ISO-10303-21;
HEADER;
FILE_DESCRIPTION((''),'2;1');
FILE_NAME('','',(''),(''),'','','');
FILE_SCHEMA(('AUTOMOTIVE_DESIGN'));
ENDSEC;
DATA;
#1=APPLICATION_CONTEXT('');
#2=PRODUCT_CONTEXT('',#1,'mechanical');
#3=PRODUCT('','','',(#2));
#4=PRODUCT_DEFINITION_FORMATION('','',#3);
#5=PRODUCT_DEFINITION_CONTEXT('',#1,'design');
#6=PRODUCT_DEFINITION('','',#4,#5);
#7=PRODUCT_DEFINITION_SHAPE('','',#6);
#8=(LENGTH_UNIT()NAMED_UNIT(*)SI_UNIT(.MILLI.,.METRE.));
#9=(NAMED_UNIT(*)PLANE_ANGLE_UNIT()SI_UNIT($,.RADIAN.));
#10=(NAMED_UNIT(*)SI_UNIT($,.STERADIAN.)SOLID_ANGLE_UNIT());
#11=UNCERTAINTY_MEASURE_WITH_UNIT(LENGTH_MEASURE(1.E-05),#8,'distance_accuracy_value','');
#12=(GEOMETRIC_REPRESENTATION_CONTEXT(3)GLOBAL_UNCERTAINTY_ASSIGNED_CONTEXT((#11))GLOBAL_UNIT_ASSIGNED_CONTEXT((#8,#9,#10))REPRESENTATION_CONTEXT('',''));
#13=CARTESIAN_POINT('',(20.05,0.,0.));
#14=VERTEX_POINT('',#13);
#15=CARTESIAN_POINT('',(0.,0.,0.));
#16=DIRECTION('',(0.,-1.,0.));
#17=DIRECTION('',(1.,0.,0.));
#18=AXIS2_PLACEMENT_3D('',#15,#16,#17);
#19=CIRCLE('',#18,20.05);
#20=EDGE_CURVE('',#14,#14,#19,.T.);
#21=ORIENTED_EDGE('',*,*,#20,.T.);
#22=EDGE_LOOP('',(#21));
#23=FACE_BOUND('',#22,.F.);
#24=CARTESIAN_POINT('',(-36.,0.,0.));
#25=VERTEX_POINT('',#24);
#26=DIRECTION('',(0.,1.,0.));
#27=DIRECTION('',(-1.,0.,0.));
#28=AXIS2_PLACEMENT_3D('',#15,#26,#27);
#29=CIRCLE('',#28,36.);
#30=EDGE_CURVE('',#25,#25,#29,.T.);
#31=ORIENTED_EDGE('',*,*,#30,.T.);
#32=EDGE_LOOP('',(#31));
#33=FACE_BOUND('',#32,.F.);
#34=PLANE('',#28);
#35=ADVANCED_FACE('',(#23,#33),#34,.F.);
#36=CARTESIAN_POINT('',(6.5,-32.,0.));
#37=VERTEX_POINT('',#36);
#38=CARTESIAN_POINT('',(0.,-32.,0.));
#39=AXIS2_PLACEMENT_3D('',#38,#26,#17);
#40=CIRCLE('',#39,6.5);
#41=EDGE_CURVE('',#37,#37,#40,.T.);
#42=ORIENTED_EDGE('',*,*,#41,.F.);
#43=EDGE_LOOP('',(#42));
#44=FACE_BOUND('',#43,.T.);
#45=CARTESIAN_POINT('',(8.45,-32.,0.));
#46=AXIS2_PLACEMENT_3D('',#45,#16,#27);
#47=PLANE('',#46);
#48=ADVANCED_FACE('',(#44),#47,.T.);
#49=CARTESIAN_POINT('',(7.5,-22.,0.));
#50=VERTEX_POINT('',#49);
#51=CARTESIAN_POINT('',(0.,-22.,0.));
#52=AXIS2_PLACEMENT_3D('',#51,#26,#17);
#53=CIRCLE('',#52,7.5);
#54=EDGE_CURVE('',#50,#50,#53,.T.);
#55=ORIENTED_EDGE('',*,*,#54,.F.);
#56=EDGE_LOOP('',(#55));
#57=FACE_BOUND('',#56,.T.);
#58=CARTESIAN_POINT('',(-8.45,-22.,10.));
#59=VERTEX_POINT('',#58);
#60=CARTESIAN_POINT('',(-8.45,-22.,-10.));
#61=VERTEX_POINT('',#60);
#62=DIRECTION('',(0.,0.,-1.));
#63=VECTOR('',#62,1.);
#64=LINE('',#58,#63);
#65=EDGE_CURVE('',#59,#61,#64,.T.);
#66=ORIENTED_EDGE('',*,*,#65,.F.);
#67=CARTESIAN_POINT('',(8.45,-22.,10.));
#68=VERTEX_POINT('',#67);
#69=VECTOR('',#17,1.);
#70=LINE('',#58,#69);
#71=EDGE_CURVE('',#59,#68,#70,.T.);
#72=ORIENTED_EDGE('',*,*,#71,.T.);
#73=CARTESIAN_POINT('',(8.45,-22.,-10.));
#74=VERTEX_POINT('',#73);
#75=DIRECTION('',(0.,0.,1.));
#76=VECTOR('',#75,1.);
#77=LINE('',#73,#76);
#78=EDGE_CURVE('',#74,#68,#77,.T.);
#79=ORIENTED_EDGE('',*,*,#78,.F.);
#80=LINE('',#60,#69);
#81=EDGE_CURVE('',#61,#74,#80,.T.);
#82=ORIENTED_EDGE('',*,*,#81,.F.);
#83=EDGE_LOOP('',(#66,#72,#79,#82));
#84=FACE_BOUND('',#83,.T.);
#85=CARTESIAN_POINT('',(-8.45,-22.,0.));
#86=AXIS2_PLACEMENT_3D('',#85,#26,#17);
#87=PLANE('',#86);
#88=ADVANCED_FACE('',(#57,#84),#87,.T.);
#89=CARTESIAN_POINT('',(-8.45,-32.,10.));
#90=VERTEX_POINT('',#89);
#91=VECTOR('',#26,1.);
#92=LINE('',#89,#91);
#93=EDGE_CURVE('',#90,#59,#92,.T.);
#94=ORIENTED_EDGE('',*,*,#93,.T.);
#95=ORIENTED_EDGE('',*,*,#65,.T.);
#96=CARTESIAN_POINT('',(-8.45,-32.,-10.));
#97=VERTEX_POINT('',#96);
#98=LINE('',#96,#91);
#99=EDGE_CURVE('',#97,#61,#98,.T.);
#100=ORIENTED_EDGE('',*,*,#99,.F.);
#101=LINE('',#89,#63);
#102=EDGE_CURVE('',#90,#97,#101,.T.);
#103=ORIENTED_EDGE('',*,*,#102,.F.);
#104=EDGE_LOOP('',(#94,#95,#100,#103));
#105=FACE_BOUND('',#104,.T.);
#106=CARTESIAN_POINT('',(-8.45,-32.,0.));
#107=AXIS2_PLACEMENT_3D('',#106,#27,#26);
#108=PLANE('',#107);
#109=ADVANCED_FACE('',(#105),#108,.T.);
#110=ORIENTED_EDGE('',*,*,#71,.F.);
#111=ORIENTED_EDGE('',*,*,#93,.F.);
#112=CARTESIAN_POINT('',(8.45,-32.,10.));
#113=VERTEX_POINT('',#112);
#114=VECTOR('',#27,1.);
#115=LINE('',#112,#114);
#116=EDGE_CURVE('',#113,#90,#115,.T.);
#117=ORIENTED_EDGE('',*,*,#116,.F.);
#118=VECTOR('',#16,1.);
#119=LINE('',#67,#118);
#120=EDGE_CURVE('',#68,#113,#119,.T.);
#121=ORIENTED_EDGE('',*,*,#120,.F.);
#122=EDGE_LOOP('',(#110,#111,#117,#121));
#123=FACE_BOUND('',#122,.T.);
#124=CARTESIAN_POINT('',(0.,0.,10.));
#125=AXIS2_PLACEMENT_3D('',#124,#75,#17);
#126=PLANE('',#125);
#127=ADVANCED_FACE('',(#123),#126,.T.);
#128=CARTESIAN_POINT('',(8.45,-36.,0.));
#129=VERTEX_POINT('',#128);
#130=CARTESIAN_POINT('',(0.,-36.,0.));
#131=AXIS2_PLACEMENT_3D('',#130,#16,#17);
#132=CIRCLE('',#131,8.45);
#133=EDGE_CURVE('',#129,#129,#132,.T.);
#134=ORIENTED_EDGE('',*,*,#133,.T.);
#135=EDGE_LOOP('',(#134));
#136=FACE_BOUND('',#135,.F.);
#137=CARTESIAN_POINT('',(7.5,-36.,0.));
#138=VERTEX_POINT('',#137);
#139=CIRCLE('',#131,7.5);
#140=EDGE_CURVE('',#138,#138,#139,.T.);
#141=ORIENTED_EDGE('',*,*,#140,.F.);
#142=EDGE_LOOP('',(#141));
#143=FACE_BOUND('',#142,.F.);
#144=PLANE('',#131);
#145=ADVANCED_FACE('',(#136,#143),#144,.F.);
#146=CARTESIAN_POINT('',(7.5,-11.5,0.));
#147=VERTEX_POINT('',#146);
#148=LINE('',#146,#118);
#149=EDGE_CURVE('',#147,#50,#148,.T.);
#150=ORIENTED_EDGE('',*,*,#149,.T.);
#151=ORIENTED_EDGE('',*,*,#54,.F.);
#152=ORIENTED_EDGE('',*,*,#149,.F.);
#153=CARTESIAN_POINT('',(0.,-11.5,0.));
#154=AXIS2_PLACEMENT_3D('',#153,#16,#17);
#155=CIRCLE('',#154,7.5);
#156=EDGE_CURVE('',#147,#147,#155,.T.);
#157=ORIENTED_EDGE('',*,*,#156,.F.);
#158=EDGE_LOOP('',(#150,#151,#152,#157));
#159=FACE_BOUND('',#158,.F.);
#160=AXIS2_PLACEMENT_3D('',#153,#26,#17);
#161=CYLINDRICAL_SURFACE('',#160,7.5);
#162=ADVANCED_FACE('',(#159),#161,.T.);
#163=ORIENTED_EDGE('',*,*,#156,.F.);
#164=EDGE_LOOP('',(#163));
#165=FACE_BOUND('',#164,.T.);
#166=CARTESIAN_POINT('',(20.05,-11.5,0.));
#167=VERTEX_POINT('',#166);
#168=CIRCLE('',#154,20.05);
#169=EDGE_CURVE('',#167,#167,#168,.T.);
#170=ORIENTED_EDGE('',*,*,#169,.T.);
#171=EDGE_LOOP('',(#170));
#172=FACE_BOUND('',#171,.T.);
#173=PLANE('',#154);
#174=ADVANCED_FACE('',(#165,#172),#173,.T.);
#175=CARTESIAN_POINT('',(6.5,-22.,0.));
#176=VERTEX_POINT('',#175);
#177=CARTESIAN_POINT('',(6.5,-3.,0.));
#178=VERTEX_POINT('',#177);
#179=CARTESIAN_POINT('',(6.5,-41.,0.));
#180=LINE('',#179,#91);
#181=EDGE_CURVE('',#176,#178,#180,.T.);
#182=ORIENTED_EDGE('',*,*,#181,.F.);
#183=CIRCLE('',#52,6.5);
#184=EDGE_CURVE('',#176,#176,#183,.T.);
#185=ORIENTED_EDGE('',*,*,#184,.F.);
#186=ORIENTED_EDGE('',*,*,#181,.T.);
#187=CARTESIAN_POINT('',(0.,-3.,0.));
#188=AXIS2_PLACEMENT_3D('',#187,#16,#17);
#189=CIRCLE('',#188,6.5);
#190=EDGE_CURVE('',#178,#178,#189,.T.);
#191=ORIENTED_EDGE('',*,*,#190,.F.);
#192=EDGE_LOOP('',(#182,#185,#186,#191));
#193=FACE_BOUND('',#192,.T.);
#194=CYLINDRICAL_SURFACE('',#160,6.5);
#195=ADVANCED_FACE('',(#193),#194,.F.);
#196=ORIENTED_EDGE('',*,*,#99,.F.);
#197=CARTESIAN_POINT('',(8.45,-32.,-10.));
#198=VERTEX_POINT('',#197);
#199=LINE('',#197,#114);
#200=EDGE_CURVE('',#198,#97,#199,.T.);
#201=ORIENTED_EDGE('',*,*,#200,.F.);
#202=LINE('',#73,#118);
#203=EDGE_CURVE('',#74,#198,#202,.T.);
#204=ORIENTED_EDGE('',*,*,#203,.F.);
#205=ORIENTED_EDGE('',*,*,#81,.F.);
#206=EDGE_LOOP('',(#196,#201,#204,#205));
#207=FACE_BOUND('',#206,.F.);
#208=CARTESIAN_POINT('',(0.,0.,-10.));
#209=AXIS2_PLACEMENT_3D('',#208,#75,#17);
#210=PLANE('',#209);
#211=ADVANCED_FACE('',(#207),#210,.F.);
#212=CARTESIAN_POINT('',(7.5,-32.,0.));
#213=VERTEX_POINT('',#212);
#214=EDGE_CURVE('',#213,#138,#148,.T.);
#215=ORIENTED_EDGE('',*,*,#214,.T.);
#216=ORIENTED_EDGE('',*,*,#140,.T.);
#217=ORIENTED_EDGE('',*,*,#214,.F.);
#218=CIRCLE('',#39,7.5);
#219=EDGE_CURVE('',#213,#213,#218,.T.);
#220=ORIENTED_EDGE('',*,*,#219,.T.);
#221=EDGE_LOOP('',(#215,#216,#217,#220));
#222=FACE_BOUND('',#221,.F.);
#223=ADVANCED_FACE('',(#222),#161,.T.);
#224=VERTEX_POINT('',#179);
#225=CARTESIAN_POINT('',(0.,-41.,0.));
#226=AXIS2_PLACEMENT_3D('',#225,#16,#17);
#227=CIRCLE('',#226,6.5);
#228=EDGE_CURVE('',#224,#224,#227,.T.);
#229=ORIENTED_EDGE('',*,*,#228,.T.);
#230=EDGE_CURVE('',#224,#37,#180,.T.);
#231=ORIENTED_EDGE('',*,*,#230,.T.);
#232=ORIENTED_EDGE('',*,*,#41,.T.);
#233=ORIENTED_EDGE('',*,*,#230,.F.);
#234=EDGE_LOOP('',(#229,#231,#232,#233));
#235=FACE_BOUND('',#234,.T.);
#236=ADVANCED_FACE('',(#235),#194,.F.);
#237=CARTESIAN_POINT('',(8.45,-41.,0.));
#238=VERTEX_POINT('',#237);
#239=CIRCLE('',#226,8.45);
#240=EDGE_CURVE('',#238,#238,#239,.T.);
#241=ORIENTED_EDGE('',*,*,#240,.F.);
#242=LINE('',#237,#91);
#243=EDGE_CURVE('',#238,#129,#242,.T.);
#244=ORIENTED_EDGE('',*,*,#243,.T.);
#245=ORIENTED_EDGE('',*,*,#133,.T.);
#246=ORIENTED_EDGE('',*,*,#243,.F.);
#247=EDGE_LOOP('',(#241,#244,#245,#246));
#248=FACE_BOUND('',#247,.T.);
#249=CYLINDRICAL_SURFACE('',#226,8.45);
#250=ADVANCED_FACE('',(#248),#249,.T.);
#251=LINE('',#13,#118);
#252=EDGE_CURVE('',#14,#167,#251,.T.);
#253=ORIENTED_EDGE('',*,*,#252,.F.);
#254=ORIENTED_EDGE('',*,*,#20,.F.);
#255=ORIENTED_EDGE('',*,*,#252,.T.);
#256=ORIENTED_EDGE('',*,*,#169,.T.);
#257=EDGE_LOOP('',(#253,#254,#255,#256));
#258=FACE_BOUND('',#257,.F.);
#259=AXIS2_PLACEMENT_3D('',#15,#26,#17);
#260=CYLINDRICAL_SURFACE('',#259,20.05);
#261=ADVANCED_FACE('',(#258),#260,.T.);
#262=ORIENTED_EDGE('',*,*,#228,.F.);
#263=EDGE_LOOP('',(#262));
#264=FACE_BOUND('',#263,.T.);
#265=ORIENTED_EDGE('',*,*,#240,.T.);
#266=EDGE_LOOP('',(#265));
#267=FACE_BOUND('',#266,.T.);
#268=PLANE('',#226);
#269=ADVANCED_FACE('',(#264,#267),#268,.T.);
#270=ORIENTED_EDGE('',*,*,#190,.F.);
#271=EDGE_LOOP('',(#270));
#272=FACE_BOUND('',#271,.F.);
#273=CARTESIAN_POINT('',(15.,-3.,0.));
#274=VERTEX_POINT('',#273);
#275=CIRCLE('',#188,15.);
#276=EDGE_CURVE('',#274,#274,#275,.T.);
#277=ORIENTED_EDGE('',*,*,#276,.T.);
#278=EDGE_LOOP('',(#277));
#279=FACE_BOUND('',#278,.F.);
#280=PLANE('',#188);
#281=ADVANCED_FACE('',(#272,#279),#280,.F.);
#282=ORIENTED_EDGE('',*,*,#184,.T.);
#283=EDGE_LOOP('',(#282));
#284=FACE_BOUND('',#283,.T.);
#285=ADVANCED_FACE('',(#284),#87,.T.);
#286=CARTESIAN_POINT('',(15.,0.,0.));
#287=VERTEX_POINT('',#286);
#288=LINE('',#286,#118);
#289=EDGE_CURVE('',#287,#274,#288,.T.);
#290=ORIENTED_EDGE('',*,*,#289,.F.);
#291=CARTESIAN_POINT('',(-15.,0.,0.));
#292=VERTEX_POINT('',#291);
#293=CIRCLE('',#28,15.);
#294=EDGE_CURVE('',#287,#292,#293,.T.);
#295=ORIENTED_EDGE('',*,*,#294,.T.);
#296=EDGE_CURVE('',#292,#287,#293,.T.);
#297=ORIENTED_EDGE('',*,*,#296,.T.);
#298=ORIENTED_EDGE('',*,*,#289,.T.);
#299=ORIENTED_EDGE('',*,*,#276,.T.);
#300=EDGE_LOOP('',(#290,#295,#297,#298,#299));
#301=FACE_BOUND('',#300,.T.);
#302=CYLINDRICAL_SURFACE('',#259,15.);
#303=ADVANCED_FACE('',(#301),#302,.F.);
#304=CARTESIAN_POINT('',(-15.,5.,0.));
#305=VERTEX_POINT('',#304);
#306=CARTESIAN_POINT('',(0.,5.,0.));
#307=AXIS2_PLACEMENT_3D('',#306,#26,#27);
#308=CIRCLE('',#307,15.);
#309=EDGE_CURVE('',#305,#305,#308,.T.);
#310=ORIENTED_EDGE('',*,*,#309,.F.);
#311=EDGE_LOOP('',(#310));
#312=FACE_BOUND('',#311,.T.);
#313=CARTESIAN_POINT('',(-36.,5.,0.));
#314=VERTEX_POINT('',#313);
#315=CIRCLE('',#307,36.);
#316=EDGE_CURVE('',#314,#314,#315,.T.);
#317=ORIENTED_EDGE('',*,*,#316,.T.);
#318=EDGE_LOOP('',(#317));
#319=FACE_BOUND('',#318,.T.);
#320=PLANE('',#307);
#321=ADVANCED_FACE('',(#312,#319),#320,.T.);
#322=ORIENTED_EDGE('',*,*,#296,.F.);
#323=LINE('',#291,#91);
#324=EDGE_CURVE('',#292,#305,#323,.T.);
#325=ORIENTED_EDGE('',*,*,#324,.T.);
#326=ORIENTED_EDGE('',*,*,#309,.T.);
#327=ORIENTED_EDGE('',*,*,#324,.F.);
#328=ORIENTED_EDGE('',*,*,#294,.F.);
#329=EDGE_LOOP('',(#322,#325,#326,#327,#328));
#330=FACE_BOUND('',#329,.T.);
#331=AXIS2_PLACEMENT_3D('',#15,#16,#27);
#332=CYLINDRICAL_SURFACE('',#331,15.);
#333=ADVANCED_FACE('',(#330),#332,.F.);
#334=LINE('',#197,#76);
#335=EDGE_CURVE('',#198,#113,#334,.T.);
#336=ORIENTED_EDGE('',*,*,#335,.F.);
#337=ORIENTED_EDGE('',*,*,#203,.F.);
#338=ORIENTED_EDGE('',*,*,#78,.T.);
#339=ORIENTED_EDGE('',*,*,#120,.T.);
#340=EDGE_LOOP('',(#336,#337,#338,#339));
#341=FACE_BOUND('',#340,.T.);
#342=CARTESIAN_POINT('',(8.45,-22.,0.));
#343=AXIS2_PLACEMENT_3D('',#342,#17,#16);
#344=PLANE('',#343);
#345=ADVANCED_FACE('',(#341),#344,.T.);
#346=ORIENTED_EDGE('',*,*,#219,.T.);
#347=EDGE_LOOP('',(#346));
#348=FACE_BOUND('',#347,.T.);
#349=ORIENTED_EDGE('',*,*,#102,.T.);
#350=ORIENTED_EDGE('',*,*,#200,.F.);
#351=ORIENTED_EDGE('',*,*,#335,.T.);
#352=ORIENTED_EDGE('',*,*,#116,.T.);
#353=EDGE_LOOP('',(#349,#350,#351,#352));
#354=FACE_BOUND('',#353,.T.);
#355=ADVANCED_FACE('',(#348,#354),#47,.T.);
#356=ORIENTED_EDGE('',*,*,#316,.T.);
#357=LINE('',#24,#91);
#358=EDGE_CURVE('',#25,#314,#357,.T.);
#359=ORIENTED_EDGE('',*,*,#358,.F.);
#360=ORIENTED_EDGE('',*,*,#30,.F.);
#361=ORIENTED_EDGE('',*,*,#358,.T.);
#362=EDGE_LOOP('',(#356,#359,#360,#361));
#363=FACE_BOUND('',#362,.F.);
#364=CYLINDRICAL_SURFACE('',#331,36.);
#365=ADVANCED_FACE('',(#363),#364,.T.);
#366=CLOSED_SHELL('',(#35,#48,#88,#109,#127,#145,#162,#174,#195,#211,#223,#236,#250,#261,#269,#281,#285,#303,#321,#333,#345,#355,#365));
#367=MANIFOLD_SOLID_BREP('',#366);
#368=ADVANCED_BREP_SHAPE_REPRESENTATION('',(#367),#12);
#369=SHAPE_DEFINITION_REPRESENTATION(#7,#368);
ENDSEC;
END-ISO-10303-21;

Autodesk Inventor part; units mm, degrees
ref_plane "YZ Plane" through (0, 0, 0) normal (1, 0, 0) x (0, 1, 0)
ref_plane "XZ Plane" through (0, 0, 0) normal (0, 1, 0) x (-1, 0, 0)
ref_plane "XY Plane" through (0, 0, 0) normal (0, 0, 1) x (1, 0, 0)
sketch "Sketch1" plane through (0, 0, 0) normal (0, 1, 0) x (-1, 0, 0)
  circle A0 centre (0, 0) radius 36
  circle A1 centre (0, 0) radius 15
  dimension "d0" = 72
  dimension "d1" = 30
extrude "Extrusion1" add sketch "Sketch1" along normal blind 5
sketch "Sketch2" plane through (0, 0, 0) normal (0, -1, 0) x (1, 0, 0)
  circle A0 centre (0, 0) radius 36 projected
  circle A1 centre (0, 0) radius 15 projected
  circle A2 centre (0, 0) radius 20.05
  dimension "d4" = 40.1
extrude "Extrusion2" add sketch "Sketch2" along normal blind 11.5 contours A2
sketch "Sketch3" plane through (0, -11.5, 0) normal (0, -1, 0) x (1, 0, 0)
  circle A0 centre (0, 0) radius 7.5
  circle A1 centre (0, 0) radius 20.05 projected
  circle A2 centre (0, 0) radius 15 projected
  circle A3 centre (0, 0) radius 6.5
  dimension "d7" = 15
  dimension "d8" = 13
extrude "Extrusion3" add sketch "Sketch3" along normal blind 29.5 and the other way blind 8.5 contours A0
extrude "Extrusion4" add sketch "Sketch3" against normal up to surface (8.5 mm away) contours A2
sketch "Sketch4" plane through (0, -41, 0) normal (0, -1, 0) x (1, 0, 0)
  circle A0 centre (0, 0) radius 7.5 projected
  circle A1 centre (0, 0) radius 6.5 projected
  circle A2 centre (0, 0) radius 8.45
  dimension "d15" = 16.9
extrude "Extrusion5" add sketch "Sketch4" against normal blind 5 contours A2
sketch "Sketch5" plane through (0, -36, 0) normal (0, 1, 0) x (1, 0, 0)
  point P0 (0, 0)
sketch "Sketch6" plane through (0, 0, 0) normal (0, 0, 1) x (1, 0, 0)
  line L0 (8.45, -36) -> (-8.45, -36) projected
  line L1 (-8.45, -41) -> (8.45, -41) projected
  line L2 (8.45, -32) -> (-8.45, -32)
  line L3 (-8.45, -32) -> (-8.45, -22)
  line L4 (-8.45, -22) -> (8.45, -22)
  line L5 (8.45, -22) -> (8.45, -32)
  point P0 (0, 0)
  dimension "d18" = 10
  dimension "d21" = 9
extrude "Extrusion6" add sketch "Sketch6" along normal mid plane 20
properties part number "Axis1_bottom"
